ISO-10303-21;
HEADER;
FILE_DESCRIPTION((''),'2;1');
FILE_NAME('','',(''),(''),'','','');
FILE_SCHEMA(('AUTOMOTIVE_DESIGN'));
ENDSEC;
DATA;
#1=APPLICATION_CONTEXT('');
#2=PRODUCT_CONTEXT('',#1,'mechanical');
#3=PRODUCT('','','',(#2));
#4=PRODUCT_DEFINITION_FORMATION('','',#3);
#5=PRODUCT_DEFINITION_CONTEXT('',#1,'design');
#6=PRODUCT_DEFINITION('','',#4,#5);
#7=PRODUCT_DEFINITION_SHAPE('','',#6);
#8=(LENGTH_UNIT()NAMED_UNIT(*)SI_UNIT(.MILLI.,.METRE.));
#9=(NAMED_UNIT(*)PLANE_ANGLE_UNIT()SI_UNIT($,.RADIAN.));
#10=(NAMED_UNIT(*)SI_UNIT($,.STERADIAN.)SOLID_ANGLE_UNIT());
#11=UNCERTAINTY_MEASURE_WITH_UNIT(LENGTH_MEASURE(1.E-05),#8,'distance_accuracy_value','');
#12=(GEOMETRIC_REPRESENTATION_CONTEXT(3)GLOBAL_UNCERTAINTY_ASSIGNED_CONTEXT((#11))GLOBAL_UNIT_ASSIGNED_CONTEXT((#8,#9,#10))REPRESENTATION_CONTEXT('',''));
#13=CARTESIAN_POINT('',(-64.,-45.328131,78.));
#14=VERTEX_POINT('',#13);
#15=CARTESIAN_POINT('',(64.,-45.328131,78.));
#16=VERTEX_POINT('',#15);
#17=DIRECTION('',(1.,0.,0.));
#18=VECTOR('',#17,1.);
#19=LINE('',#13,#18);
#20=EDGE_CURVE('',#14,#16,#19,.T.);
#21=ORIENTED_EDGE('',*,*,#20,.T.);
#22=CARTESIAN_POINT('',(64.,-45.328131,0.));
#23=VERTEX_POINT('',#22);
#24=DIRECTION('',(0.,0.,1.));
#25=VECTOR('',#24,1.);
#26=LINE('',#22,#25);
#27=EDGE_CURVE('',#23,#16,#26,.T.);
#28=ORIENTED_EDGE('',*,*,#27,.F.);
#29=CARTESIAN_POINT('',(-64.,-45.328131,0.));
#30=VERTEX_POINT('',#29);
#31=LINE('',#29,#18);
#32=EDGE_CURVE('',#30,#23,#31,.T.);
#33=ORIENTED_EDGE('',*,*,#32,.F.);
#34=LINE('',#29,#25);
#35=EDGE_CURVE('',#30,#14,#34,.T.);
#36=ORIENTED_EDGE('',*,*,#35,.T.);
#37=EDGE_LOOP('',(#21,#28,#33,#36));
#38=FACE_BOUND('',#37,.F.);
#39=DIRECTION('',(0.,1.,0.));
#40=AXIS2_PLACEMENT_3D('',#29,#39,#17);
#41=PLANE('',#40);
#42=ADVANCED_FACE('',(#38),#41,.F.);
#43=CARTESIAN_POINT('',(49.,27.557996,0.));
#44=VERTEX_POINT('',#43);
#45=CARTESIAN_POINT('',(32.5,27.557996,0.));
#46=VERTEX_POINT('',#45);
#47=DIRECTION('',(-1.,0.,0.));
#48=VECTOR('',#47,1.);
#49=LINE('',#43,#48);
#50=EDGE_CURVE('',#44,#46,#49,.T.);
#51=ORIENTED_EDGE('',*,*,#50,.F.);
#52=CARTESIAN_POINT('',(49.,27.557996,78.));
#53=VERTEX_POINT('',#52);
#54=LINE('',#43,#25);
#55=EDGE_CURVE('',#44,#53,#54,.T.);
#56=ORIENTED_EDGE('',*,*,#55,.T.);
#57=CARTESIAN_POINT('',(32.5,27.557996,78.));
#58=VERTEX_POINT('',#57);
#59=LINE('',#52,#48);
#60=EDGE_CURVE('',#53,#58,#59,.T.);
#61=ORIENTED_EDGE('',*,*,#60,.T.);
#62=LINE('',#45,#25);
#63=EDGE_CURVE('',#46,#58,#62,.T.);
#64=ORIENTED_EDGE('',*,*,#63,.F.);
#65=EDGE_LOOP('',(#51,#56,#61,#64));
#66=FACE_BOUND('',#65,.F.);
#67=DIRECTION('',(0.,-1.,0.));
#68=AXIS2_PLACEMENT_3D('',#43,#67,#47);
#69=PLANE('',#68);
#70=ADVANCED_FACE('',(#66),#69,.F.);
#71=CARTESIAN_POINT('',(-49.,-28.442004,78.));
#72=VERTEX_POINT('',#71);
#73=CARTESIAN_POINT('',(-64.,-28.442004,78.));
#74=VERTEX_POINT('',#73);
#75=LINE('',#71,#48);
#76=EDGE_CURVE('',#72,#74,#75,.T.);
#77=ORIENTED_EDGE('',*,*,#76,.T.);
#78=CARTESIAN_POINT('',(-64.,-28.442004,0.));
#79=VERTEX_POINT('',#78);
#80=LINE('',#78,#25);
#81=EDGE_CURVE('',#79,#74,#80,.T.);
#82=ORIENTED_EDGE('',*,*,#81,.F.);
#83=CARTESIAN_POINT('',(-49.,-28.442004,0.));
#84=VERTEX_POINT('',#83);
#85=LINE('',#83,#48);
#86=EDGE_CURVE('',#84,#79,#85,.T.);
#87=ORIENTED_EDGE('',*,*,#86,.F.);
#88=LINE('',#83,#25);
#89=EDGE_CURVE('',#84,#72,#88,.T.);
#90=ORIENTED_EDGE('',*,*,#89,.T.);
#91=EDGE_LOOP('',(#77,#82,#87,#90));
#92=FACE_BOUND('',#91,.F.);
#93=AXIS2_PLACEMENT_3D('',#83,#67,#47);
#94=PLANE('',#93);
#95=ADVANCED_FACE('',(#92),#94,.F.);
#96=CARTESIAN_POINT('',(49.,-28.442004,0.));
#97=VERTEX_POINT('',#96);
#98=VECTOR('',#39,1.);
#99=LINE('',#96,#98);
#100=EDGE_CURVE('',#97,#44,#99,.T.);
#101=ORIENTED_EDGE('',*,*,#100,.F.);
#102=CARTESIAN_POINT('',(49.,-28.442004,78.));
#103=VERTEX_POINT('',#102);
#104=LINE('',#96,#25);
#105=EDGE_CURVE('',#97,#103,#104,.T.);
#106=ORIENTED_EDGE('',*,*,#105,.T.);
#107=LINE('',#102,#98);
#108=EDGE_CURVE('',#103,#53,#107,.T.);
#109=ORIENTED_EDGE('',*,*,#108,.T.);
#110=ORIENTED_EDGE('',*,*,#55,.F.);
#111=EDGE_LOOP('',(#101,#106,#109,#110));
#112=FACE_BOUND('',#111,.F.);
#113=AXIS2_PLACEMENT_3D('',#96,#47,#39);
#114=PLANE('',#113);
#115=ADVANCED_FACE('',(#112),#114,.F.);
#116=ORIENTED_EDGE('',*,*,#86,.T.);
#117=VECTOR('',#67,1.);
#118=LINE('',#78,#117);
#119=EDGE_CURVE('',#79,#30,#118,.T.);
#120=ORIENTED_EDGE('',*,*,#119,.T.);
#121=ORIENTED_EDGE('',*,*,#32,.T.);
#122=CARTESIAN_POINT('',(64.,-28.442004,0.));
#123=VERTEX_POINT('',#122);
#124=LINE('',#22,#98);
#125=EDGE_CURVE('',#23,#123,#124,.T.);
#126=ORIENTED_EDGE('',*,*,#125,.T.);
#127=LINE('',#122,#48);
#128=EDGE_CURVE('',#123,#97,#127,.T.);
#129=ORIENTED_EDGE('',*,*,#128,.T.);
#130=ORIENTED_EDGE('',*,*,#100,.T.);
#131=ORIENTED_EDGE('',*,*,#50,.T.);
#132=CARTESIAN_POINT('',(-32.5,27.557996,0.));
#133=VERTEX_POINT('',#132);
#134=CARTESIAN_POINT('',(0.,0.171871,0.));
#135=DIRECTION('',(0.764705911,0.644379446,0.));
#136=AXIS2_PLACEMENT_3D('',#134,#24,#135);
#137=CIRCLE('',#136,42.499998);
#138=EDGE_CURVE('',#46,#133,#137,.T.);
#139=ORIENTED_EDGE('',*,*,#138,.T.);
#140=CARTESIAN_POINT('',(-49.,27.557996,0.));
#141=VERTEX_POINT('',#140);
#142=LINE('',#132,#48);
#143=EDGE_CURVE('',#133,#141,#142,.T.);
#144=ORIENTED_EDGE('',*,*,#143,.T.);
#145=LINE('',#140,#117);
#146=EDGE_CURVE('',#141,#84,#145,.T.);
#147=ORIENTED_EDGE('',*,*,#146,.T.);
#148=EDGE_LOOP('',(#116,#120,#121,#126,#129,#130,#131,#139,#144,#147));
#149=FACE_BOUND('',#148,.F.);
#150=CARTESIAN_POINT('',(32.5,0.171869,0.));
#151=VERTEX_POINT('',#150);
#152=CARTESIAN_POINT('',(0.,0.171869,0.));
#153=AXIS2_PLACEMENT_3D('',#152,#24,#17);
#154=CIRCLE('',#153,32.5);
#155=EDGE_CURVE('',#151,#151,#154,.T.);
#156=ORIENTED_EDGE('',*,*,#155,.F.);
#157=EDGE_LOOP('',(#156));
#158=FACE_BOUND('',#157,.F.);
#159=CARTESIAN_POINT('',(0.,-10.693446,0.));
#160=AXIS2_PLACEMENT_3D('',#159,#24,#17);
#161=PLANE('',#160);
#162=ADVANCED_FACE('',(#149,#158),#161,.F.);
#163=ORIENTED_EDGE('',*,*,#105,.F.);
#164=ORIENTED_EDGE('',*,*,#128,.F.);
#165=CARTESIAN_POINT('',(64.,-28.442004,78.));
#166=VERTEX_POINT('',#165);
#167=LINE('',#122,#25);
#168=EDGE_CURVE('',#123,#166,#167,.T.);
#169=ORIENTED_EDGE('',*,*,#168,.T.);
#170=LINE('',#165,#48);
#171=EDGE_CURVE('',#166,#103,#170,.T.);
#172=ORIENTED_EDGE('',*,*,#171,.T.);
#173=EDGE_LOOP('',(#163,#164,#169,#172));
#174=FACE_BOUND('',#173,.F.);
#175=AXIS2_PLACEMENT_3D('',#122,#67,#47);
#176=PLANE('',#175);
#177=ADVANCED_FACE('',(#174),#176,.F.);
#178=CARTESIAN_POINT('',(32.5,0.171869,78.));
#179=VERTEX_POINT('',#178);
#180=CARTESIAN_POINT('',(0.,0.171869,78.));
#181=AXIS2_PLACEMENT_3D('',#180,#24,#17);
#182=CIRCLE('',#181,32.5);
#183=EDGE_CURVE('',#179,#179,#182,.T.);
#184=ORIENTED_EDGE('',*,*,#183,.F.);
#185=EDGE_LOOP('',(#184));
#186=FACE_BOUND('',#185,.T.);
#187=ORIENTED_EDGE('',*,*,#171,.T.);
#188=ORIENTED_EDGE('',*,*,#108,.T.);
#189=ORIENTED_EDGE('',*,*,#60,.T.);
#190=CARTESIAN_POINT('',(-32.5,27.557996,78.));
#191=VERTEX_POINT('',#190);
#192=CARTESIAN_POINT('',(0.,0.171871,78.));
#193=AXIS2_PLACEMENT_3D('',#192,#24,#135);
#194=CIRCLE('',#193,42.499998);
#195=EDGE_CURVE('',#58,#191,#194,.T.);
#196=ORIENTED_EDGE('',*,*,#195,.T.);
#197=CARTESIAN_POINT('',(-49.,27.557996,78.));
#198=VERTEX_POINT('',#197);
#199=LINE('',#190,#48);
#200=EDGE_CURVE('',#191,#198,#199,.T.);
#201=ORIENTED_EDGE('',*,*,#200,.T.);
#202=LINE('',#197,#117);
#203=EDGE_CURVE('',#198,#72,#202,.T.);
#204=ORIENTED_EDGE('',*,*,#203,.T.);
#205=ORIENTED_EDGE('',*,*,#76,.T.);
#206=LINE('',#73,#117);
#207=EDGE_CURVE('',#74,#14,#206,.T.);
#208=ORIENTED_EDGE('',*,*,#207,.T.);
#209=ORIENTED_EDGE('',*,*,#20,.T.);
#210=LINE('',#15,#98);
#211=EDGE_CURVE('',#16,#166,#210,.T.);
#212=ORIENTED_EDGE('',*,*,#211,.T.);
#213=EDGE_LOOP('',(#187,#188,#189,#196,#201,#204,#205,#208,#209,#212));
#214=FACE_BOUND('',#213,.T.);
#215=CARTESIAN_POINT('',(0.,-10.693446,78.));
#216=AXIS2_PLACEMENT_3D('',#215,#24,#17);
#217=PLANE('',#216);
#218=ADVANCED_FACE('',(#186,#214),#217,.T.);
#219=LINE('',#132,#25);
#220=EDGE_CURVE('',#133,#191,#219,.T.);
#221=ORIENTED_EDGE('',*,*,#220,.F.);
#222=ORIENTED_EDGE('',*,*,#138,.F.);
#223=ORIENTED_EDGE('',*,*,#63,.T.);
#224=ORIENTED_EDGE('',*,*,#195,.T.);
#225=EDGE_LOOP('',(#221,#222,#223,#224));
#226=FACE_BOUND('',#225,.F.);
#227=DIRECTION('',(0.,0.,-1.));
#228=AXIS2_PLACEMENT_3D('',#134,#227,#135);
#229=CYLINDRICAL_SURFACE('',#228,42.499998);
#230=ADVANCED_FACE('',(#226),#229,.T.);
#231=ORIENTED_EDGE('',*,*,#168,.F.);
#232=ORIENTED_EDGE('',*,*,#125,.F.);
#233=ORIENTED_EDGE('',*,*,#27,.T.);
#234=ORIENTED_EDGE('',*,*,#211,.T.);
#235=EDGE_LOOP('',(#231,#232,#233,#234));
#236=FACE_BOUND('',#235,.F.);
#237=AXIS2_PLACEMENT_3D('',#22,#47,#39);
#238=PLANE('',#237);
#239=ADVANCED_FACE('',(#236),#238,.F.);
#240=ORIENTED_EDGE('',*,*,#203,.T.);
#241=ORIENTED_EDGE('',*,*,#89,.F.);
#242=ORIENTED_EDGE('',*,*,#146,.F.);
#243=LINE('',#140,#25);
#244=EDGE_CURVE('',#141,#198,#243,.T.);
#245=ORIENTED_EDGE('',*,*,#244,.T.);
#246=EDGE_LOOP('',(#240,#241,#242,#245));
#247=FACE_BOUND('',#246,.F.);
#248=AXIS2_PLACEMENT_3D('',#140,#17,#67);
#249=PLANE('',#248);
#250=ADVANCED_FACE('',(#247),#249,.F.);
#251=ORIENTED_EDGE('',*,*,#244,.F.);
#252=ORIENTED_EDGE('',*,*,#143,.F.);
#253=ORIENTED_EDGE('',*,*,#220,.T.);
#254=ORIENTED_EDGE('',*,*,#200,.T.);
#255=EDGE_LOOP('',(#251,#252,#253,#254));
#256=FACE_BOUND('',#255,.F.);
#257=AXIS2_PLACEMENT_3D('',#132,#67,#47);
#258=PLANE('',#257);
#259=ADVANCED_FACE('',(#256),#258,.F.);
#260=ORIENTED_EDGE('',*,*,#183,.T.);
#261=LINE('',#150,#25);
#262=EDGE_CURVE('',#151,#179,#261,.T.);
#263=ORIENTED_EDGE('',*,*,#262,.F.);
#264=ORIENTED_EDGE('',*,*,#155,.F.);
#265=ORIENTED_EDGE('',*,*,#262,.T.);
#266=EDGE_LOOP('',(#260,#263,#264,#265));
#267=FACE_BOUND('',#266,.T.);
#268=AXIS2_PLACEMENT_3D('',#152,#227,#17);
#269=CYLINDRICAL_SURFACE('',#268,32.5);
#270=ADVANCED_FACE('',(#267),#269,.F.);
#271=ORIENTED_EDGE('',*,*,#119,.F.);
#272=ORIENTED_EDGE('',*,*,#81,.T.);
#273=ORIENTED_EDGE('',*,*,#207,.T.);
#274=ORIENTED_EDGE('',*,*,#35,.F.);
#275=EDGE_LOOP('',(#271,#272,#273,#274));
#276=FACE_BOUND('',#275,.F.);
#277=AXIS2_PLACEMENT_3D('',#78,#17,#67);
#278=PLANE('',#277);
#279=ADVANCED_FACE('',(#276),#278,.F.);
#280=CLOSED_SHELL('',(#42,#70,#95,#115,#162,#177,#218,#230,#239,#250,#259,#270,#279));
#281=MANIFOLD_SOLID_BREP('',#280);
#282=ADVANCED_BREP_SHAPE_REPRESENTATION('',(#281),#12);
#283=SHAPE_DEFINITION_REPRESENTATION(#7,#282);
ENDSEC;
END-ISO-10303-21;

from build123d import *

# Parameters (mm, degrees)
F0_R     = 32.5
F1_DEPTH = 78


with BuildPart() as f1:
    # F0 (on Top) → F1 (new body)
    with BuildSketch(Plane.XY):
        with BuildLine():
            Line((-64, -28.442004), (-64, -45.328131))
            Line((-64, -45.328131), (64, -45.328131))
            Line((64, -45.328131), (64, -28.442004))
            Line((64, -28.442004), (49, -28.442004))
            Line((49, -28.442004), (49, 27.557996))
            Line((49, 27.557996), (32.5, 27.557996))
            ThreePointArc((32.5, 27.557996), (0, 42.671869), (-32.5, 27.557996))
            Line((-32.5, 27.557996), (-49, 27.557996))
            Line((-49, 27.557996), (-49, -28.442004))
            Line((-49, -28.442004), (-64, -28.442004))
        make_face()
        with Locations((0, 0.171869)):
            Circle(F0_R, mode=Mode.SUBTRACT)
    extrude(amount=F1_DEPTH)


solid = f1.part
